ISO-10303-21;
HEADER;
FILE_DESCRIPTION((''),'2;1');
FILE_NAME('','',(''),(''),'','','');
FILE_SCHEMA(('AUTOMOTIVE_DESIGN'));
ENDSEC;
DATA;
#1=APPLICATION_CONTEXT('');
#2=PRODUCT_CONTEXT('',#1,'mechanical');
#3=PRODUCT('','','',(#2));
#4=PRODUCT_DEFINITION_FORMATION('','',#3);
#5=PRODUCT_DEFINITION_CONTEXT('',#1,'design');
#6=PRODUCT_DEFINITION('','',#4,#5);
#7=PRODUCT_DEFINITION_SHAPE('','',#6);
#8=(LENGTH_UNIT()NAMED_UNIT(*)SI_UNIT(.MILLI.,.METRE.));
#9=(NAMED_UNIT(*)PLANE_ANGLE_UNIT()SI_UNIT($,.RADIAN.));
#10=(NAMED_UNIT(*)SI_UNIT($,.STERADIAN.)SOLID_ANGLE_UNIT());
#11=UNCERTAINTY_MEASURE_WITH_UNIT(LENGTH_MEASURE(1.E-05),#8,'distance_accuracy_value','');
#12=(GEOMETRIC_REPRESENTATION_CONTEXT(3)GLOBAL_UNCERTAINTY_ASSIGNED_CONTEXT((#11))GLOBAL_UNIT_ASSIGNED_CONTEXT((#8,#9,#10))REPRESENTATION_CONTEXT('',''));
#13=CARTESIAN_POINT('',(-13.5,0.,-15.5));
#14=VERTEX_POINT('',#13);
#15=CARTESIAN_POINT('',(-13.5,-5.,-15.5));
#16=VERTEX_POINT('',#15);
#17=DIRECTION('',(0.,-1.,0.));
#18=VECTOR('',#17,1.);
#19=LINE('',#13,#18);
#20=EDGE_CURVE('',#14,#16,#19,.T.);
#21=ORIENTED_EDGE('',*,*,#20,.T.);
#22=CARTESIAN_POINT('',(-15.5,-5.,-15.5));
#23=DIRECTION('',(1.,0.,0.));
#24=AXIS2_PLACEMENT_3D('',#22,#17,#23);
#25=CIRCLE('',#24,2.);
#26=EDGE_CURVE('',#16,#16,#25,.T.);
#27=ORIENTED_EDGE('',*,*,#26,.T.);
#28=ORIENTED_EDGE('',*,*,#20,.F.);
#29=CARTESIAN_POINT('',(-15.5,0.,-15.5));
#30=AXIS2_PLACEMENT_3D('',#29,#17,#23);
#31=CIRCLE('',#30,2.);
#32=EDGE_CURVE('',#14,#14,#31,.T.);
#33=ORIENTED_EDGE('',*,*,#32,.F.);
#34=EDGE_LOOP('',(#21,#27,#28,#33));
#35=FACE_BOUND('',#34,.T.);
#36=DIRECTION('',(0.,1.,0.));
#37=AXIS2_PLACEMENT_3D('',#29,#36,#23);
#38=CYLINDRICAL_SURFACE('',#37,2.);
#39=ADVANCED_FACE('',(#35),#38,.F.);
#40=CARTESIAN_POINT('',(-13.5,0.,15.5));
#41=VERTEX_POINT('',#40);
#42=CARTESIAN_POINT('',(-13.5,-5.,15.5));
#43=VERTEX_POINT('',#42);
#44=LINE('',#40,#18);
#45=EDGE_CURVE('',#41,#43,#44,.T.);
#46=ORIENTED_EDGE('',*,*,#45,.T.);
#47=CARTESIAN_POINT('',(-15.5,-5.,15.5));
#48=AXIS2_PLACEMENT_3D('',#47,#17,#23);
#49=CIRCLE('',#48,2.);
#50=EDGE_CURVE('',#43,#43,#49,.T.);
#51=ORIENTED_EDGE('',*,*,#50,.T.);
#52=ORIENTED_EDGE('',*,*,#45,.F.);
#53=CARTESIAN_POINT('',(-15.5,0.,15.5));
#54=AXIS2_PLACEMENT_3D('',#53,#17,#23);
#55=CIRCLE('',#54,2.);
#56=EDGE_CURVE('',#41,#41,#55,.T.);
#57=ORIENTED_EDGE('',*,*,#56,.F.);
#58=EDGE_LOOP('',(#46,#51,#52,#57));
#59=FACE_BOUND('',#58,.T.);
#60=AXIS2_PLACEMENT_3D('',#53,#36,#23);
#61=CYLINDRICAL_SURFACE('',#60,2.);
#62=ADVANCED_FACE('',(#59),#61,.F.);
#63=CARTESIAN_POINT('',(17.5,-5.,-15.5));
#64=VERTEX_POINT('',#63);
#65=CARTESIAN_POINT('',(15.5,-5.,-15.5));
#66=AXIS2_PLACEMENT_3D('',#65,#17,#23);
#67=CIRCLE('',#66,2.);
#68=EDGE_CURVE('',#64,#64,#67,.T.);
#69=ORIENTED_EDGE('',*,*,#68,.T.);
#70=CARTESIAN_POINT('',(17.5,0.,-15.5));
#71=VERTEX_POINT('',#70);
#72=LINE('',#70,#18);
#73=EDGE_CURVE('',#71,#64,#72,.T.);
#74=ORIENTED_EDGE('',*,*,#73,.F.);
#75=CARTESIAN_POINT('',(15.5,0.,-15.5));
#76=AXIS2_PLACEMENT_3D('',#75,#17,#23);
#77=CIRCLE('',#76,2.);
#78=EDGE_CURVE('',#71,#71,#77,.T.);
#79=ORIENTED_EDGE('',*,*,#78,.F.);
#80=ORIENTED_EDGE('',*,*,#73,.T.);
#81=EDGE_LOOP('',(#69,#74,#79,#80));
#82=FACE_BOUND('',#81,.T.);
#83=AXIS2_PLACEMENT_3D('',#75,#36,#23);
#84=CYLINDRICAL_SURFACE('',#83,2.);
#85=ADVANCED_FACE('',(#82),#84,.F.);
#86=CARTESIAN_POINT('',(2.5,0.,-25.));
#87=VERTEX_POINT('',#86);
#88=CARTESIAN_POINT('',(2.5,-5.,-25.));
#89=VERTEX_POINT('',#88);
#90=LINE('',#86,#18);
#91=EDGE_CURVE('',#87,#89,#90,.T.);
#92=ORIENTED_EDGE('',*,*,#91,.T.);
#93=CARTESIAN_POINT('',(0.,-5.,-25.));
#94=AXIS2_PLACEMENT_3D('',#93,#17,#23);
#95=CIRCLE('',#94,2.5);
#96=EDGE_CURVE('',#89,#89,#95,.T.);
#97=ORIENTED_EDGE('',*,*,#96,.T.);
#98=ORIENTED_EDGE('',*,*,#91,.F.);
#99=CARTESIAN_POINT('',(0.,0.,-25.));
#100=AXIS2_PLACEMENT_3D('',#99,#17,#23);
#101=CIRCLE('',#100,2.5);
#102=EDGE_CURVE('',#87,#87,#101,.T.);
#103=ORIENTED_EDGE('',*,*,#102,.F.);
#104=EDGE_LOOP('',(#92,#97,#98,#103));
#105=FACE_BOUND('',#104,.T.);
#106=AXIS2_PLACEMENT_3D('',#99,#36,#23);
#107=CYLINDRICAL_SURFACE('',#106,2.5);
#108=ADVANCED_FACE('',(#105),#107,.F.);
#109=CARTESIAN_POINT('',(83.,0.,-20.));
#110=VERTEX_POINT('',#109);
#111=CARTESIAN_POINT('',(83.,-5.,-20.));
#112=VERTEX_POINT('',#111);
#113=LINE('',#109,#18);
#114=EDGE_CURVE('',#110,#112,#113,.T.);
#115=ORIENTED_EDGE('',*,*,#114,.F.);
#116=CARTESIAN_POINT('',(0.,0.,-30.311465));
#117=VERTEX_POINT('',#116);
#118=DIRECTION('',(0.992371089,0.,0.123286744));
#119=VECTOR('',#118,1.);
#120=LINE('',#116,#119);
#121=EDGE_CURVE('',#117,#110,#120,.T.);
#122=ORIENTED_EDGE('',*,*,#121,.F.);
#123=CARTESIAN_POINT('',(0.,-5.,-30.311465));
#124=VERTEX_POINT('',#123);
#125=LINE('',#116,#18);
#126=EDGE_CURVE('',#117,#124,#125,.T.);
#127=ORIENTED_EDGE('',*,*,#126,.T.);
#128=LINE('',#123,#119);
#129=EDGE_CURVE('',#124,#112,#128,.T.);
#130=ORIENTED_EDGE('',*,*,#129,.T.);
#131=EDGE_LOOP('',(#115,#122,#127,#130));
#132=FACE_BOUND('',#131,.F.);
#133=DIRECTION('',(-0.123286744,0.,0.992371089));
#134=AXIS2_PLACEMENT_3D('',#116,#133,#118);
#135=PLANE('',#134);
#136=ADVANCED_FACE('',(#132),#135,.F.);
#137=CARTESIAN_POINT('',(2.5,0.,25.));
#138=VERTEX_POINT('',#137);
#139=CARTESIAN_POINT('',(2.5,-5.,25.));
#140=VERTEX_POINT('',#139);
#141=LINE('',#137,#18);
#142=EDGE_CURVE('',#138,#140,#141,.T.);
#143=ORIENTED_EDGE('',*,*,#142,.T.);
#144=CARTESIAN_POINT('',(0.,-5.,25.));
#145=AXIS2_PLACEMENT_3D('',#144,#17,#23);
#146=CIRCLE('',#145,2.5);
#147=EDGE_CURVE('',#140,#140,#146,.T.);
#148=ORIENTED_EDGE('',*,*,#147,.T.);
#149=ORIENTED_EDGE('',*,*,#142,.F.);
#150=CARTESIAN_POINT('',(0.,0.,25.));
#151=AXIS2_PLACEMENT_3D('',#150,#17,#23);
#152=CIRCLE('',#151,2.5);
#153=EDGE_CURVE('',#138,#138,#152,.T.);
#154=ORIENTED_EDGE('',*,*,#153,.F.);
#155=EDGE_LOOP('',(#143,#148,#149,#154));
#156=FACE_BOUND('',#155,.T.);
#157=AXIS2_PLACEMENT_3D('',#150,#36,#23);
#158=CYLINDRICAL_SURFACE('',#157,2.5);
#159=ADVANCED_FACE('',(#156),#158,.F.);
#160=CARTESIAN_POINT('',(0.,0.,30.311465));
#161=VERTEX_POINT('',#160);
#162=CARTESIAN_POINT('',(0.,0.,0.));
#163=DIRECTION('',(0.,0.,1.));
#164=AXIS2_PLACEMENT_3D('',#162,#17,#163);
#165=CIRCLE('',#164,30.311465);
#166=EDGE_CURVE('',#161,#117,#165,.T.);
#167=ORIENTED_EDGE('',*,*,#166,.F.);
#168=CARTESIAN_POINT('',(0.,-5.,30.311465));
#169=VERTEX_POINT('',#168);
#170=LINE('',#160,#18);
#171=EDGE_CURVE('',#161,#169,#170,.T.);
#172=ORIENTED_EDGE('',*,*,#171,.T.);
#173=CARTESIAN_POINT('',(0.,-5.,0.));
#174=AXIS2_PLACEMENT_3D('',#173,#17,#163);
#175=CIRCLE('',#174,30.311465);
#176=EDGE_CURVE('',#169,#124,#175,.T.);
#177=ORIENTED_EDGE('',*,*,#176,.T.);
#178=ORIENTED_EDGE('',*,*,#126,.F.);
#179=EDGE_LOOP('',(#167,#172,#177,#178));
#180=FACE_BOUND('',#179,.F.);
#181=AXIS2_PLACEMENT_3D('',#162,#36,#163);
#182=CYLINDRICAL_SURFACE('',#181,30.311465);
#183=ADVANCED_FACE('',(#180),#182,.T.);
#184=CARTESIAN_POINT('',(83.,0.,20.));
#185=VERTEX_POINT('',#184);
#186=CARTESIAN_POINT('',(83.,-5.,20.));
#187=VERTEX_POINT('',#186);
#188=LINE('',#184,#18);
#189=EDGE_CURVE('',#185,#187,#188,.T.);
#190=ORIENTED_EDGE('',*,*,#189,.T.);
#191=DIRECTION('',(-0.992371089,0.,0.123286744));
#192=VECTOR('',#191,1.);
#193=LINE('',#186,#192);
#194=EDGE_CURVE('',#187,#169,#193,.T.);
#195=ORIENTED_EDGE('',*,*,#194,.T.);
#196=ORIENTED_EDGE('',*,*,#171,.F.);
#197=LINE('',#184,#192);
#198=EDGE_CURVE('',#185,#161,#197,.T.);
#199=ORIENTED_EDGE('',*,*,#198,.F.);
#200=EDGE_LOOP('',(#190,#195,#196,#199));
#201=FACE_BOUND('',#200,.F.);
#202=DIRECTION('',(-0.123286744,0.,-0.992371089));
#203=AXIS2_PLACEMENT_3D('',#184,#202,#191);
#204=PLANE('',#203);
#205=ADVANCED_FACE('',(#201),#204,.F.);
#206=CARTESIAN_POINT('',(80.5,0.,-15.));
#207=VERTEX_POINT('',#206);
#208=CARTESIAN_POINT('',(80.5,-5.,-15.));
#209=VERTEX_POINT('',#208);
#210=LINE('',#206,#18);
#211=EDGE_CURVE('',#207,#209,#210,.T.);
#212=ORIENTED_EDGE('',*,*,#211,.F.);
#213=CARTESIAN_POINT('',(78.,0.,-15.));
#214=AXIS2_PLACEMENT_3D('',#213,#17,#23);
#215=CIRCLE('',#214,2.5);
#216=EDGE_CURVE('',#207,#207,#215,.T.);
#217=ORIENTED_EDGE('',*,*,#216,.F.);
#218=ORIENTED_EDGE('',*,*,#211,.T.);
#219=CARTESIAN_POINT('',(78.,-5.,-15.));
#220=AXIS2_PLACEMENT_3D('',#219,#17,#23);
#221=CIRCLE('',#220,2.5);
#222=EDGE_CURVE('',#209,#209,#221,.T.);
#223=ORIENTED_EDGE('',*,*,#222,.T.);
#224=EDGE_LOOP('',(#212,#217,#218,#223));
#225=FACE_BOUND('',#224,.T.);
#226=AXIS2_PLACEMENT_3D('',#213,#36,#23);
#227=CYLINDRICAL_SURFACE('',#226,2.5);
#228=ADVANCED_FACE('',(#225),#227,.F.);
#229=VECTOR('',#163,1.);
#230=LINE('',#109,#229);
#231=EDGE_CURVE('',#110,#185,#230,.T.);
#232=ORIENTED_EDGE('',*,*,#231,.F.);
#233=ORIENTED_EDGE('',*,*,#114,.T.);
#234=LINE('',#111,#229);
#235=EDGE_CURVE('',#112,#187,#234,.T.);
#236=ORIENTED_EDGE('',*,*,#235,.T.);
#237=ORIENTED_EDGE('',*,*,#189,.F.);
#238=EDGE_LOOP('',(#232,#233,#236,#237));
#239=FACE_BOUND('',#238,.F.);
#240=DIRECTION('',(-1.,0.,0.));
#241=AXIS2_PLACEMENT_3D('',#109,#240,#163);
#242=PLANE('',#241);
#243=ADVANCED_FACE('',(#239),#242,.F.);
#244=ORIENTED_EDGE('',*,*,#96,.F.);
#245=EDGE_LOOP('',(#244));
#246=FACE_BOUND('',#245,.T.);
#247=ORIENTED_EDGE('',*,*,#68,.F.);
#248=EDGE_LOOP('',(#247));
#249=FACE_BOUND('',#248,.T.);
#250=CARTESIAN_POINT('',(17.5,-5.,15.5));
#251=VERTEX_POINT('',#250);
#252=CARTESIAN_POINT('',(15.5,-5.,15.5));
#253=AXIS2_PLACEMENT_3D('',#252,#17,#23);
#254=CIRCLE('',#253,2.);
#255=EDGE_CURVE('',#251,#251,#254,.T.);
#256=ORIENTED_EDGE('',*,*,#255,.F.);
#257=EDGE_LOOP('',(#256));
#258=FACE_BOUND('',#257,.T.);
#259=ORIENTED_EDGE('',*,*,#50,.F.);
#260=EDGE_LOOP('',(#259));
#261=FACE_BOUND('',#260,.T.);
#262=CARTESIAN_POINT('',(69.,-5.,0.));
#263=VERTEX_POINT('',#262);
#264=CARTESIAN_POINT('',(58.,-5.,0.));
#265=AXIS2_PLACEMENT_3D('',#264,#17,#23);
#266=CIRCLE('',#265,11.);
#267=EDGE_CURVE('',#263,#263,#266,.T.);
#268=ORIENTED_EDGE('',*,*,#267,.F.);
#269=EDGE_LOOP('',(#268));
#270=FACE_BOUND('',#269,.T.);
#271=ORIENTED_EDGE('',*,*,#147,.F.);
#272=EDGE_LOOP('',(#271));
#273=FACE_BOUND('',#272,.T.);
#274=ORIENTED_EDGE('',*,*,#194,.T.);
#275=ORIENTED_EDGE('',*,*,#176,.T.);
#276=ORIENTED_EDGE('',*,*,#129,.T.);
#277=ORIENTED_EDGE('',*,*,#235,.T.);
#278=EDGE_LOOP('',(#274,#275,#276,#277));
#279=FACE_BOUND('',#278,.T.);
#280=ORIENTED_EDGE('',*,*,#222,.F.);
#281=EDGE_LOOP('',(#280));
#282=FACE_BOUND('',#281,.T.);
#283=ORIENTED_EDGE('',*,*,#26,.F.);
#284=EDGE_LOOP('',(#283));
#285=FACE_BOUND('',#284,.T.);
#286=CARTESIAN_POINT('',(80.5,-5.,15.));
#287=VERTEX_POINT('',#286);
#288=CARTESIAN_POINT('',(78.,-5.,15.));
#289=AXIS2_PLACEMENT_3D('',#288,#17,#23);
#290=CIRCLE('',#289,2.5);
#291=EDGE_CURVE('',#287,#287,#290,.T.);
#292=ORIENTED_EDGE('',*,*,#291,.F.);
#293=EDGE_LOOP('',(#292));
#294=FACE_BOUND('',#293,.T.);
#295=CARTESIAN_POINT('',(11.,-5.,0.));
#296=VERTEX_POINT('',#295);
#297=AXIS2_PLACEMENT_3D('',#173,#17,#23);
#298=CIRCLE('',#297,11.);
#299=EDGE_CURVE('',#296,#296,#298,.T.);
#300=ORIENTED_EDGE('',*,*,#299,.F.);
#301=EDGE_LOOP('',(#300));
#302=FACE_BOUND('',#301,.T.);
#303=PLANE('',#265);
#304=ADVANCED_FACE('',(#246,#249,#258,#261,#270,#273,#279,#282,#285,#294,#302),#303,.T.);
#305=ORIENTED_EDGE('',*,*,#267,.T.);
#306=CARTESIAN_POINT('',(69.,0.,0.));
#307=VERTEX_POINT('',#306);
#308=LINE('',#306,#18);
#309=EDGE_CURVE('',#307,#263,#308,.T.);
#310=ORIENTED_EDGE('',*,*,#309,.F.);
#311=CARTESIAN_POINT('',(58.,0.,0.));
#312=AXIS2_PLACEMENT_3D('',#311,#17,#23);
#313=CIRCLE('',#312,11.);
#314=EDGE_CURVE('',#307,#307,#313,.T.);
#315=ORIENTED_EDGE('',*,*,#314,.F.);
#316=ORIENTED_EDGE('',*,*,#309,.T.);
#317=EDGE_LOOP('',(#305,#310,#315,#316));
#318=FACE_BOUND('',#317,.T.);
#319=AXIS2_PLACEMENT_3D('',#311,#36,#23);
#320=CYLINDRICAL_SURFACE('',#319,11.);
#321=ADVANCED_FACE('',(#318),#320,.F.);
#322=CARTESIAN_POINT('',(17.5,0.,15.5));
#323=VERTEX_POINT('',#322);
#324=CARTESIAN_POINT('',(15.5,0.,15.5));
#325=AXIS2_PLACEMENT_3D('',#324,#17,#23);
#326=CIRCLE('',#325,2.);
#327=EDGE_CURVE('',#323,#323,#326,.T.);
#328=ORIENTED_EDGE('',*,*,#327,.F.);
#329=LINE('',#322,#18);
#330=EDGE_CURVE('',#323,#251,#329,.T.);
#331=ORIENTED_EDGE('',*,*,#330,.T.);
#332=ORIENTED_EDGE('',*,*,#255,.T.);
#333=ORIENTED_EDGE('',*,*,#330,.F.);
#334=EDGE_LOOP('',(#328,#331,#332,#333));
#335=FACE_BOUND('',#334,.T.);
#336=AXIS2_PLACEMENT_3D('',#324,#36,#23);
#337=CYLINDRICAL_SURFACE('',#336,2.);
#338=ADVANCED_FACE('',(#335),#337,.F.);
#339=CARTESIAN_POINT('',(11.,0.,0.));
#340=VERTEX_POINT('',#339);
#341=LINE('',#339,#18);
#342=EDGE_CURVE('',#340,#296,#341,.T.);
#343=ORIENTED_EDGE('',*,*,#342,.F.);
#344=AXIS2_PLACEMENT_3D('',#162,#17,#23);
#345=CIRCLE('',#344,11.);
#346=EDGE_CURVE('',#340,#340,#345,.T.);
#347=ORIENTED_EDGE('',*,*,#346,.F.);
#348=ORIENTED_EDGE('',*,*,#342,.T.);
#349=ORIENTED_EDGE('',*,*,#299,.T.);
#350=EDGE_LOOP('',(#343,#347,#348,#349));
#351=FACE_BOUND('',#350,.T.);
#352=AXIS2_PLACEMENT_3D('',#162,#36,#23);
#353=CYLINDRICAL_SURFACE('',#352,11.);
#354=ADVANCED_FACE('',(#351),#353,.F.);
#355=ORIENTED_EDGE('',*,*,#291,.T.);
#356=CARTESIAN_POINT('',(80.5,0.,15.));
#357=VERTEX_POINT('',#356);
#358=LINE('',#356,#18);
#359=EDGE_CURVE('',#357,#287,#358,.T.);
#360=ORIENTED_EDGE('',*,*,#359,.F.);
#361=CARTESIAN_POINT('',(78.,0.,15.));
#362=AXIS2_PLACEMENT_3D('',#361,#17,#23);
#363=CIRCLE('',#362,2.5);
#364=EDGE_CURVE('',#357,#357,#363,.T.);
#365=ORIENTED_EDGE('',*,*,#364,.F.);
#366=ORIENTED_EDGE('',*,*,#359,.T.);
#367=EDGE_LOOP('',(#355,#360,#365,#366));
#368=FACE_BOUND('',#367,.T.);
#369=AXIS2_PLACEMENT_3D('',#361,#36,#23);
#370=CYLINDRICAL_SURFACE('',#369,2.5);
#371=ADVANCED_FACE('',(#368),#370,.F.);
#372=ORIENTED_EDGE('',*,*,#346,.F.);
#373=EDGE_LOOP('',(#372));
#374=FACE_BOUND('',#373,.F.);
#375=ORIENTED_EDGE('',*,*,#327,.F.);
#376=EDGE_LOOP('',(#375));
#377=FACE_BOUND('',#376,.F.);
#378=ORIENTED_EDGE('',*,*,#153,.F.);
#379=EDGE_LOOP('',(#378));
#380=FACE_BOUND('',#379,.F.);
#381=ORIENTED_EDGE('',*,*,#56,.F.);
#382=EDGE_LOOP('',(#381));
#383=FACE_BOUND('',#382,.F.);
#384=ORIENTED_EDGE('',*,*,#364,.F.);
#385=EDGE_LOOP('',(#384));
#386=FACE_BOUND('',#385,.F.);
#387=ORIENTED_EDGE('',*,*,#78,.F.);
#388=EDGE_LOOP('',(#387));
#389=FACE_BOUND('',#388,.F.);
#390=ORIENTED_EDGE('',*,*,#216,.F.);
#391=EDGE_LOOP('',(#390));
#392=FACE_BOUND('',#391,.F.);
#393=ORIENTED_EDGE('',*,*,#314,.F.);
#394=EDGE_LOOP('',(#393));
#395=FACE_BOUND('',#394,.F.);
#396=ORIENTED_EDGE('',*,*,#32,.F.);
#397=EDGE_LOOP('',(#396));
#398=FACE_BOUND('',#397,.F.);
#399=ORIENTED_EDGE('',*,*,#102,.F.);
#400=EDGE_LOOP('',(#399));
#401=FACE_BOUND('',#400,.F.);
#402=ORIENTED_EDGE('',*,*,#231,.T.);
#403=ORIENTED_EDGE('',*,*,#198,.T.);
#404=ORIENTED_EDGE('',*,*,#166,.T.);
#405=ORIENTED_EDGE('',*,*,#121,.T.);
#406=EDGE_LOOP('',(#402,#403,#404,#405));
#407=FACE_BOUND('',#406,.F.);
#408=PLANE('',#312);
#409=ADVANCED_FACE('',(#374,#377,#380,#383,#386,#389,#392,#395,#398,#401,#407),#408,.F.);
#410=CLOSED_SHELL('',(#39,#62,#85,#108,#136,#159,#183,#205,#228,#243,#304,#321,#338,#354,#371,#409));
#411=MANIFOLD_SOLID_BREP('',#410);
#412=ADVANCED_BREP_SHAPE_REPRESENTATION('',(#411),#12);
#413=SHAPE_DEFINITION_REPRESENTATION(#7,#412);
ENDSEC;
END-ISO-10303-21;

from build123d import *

# Parameters (mm, degrees)
F0_R     = 11
F0_R_2   = 2
F0_R_3   = 2.5
F1_DEPTH = 5


with BuildPart() as f1:
    # F0 (on Front) → F1 (new body)
    with BuildSketch(Plane.XZ):
        with Locations((58, 0)):
            Circle(F0_R)
        with BuildLine():
            ThreePointArc((0, 30.311465), (-30.311465, 0), (0, -30.311465))
            Line((0, -30.311465), (83, -20))
            Line((83, -20), (83, 0))
            Line((83, 0), (83, 20))
            Line((83, 20), (0, 30.311465))
        make_face()
        with Locations((-15.5, -15.5)):
            Circle(F0_R_2, mode=Mode.SUBTRACT)
        with Locations((0, -25)):
            Circle(F0_R_3, mode=Mode.SUBTRACT)
        with Locations((15.5, -15.5)):
            Circle(F0_R_2, mode=Mode.SUBTRACT)
        with Locations((78, -15)):
            Circle(F0_R_3, mode=Mode.SUBTRACT)
        Circle(F0_R, mode=Mode.SUBTRACT)
        with Locations((-15.5, 15.5)):
            Circle(F0_R_2, mode=Mode.SUBTRACT)
        with Locations((15.5, 15.5)):
            Circle(F0_R_2, mode=Mode.SUBTRACT)
        with Locations((0, 25)):
            Circle(F0_R_3, mode=Mode.SUBTRACT)
        with Locations((58, 0)):
            Circle(F0_R, mode=Mode.SUBTRACT)
        with Locations((78, 15)):
            Circle(F0_R_3, mode=Mode.SUBTRACT)
    extrude(amount=F1_DEPTH)


solid = f1.part
